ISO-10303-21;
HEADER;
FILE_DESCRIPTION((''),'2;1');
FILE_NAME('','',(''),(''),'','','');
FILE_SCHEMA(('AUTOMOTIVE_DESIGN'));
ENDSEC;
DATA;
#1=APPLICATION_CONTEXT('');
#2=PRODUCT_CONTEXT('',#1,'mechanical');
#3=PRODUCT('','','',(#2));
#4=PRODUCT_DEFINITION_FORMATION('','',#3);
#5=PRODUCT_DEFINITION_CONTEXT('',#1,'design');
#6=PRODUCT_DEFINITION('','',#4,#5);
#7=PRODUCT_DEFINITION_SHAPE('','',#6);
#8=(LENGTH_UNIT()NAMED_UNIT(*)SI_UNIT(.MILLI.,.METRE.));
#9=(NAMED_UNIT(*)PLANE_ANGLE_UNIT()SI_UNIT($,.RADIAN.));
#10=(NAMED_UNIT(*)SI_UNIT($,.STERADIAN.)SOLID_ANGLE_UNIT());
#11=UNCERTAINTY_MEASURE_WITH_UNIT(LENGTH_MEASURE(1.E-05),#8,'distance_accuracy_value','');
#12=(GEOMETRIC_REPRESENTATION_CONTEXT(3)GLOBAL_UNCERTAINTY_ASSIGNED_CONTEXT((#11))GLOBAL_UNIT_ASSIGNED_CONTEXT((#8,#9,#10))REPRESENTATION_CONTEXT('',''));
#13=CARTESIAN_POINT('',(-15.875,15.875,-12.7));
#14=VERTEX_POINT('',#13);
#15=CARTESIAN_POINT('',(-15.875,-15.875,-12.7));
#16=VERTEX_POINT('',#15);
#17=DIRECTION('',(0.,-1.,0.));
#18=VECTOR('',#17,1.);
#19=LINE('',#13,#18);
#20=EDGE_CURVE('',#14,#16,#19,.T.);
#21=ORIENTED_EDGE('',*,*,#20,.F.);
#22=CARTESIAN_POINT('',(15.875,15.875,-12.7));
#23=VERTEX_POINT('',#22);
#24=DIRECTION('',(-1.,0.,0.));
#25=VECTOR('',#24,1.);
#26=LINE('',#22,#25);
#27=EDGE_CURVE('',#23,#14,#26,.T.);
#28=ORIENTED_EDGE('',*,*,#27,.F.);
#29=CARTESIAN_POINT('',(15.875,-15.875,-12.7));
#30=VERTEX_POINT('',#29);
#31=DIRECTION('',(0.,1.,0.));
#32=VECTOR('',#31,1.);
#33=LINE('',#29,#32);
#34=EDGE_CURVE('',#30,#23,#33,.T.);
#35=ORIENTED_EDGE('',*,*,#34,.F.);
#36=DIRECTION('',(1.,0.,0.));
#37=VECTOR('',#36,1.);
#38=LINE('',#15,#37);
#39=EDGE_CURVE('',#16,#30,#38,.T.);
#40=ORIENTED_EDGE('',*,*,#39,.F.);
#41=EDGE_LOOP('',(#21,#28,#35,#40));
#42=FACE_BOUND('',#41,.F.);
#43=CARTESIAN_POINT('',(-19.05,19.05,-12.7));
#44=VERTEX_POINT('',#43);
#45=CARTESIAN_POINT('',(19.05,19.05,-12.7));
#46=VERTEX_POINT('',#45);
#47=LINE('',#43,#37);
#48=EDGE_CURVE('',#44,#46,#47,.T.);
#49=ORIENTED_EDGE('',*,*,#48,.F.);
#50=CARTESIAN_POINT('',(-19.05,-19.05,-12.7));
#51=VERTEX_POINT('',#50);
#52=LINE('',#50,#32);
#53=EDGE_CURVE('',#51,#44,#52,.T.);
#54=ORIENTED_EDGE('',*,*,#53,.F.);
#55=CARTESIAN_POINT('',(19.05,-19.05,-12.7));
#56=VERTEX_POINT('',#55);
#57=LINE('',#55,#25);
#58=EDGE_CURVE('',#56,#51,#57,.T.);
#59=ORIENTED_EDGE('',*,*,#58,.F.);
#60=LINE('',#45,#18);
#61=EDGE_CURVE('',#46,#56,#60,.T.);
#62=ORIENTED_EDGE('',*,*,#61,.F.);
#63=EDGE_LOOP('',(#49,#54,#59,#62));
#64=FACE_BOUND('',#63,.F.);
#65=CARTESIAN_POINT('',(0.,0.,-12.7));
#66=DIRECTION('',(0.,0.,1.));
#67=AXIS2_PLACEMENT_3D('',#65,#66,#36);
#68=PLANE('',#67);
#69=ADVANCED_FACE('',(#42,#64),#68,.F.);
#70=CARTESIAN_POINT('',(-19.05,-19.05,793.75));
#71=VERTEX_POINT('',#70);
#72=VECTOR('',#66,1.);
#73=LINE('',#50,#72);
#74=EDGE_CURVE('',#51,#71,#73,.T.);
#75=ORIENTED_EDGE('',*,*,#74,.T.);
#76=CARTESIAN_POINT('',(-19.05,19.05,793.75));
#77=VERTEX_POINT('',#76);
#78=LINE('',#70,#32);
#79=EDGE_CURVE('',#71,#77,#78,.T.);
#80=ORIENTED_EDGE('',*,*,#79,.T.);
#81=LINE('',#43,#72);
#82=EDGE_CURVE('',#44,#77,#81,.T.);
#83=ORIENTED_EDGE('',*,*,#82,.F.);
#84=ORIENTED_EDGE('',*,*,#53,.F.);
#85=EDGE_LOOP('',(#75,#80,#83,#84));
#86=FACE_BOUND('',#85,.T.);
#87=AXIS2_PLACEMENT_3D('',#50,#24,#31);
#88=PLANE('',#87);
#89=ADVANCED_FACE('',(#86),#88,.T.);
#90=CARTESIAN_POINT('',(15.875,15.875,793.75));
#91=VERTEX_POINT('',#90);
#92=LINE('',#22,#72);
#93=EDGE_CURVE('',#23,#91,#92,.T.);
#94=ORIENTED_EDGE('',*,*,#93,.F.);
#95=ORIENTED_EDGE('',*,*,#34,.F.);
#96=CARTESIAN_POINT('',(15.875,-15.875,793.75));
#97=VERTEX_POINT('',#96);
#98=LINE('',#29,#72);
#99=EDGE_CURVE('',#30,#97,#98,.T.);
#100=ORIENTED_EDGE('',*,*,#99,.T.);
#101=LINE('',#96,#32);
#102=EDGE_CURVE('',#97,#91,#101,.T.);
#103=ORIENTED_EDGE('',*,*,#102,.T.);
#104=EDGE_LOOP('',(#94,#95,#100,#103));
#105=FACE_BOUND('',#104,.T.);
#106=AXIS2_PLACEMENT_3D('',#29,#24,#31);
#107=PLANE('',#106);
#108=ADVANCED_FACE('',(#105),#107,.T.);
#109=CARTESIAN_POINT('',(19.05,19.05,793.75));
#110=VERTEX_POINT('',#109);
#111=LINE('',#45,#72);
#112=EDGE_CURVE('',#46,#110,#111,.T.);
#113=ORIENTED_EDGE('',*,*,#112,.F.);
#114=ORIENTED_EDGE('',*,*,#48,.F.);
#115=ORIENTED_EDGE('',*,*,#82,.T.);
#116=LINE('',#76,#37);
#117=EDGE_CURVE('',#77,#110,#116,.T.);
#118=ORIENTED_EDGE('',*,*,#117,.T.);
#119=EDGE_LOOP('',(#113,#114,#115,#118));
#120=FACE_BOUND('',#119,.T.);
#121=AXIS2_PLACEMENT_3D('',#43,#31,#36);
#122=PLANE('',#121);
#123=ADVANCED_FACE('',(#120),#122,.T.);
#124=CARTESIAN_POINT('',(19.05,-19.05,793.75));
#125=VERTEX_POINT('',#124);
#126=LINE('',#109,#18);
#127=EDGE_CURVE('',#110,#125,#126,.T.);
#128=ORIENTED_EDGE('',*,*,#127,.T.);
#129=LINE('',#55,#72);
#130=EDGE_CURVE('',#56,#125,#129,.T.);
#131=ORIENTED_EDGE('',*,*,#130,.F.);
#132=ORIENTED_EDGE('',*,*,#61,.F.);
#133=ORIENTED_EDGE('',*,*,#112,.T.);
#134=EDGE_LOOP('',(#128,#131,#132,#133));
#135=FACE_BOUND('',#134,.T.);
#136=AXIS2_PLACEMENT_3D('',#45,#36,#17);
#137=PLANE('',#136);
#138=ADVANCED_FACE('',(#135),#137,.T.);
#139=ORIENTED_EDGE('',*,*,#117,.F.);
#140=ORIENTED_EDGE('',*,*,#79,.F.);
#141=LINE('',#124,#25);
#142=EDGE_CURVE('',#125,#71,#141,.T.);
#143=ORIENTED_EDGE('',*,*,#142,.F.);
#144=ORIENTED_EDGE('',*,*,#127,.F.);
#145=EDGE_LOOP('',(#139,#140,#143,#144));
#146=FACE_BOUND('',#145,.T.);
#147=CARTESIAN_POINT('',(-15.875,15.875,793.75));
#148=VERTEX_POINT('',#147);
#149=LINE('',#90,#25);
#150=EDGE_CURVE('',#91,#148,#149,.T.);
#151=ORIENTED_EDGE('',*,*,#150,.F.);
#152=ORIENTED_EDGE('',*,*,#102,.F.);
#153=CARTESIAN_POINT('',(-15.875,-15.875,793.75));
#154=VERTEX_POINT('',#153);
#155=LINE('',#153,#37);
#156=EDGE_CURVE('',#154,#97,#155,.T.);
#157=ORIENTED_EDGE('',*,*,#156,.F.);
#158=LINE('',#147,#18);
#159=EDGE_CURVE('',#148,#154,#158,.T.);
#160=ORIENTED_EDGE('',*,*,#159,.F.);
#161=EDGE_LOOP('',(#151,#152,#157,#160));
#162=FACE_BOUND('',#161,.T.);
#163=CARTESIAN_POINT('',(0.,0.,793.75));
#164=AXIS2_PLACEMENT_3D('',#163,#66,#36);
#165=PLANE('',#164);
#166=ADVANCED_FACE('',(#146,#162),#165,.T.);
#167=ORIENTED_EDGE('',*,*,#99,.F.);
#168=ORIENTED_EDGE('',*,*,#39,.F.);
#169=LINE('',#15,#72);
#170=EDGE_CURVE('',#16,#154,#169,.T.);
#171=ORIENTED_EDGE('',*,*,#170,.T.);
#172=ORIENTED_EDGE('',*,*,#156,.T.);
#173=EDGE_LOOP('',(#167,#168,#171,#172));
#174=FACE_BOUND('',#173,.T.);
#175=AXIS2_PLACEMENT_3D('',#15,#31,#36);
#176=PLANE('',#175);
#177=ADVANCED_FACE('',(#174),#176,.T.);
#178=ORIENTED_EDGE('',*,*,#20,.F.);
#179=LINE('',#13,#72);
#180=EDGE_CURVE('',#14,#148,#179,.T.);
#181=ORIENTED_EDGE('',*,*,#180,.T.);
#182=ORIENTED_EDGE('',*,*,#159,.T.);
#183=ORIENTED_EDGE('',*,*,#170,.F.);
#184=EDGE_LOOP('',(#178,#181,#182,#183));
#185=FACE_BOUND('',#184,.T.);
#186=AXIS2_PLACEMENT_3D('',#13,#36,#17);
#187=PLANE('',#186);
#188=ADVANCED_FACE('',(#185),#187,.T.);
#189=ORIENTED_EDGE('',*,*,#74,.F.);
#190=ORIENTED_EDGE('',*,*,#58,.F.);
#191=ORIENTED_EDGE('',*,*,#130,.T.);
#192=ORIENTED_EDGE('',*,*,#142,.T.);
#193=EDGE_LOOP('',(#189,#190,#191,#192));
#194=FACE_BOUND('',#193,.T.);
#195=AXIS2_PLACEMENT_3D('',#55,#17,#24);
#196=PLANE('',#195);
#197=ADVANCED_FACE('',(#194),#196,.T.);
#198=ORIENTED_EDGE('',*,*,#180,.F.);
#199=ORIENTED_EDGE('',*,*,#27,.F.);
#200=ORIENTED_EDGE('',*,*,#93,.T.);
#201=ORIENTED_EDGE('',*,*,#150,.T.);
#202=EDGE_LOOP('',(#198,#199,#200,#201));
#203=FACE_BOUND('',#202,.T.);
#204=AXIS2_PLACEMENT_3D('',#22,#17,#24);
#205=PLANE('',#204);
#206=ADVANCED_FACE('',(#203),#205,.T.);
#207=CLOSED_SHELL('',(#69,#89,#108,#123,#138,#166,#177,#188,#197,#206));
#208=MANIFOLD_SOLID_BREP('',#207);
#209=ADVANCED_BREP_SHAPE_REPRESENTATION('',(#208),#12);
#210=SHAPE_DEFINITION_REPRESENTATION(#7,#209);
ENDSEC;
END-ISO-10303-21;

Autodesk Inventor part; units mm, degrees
ref_plane "Start Plane" through (0, 0, -12.7) normal (0, 0, 1) x (1, 0, 0)
ref_plane "End Plane" through (0, 0, 793.75) normal (0, 0, 1) x (1, 0, 0)
sketch "Sketch" plane through (0, 0, 0) normal (0, 0, 1) x (1, 0, 0)
  line L0 (-19.05, 19.05) -> (19.05, 19.05)
  line L1 (19.05, 19.05) -> (19.05, -19.05)
  line L2 (19.05, -19.05) -> (-19.05, -19.05)
  line L3 (-19.05, -19.05) -> (-19.05, 19.05)
  line L4 (15.875, 15.875) -> (-15.875, 15.875)
  line L5 (-15.875, 15.875) -> (-15.875, -15.875)
  line L6 (-15.875, -15.875) -> (15.875, -15.875)
  line L7 (15.875, -15.875) -> (15.875, 15.875)
  point P0 (0, 0)
  point P1 (0, 19.05)
  point P2 (-19.05, 0)
  dimension "width" = 38.1
  dimension "d1" = 3.175
extrude "Body" add sketch "Sketch" along normal up to surface (806.45 mm away) from surface at -12.7
sketch "Sketch4" plane through (0, 0, 0) normal (0, 0, 1) x (1, 0, 0)
  line L0 (0, 0) -> (10, 0)
ref_plane "Work Plane4" through (0, 0, 0) normal (0, -1, 0) x (1, 0, 0)
sketch "Sketch5" plane through (0, 0, 0) normal (0, -1, 0) x (1, 0, 0)
  line L0 (-2, -12.7) -> (12, -12.7)
  line L1 (-2, 793.75) -> (12, 793.75)
  dimension "d9" = 806.45
ref_plane "Work Plane5" through (-762, -1149.35, 793.75) normal (0, 0, 1) x (1, 0, 0)
split "Split1" plane through (-762, -1149.35, 793.75) removes the side toward (0, 0, 1)
ref_plane "Work Plane6" through (0, 19.05, -12.7) normal (0, 0, -1) x (-1, 0, 0)
split "Split2" plane through (0, 19.05, -12.7) removes the side toward (0, 0, -1)
equation "\"G_OFFSET_START\" = 12.7"
equation "\"G_OFFSET_END\" = -19.05"
equation "\"d4\" = -G_OFFSET_START"
equation "\"d5\" = length + G_OFFSET_END"
equation "\"G_L\" = 812.8"
equation "\"length\" = 812.8"
properties part number "1.5x1.5x.125 Tube" material "Aluminum-6061"
